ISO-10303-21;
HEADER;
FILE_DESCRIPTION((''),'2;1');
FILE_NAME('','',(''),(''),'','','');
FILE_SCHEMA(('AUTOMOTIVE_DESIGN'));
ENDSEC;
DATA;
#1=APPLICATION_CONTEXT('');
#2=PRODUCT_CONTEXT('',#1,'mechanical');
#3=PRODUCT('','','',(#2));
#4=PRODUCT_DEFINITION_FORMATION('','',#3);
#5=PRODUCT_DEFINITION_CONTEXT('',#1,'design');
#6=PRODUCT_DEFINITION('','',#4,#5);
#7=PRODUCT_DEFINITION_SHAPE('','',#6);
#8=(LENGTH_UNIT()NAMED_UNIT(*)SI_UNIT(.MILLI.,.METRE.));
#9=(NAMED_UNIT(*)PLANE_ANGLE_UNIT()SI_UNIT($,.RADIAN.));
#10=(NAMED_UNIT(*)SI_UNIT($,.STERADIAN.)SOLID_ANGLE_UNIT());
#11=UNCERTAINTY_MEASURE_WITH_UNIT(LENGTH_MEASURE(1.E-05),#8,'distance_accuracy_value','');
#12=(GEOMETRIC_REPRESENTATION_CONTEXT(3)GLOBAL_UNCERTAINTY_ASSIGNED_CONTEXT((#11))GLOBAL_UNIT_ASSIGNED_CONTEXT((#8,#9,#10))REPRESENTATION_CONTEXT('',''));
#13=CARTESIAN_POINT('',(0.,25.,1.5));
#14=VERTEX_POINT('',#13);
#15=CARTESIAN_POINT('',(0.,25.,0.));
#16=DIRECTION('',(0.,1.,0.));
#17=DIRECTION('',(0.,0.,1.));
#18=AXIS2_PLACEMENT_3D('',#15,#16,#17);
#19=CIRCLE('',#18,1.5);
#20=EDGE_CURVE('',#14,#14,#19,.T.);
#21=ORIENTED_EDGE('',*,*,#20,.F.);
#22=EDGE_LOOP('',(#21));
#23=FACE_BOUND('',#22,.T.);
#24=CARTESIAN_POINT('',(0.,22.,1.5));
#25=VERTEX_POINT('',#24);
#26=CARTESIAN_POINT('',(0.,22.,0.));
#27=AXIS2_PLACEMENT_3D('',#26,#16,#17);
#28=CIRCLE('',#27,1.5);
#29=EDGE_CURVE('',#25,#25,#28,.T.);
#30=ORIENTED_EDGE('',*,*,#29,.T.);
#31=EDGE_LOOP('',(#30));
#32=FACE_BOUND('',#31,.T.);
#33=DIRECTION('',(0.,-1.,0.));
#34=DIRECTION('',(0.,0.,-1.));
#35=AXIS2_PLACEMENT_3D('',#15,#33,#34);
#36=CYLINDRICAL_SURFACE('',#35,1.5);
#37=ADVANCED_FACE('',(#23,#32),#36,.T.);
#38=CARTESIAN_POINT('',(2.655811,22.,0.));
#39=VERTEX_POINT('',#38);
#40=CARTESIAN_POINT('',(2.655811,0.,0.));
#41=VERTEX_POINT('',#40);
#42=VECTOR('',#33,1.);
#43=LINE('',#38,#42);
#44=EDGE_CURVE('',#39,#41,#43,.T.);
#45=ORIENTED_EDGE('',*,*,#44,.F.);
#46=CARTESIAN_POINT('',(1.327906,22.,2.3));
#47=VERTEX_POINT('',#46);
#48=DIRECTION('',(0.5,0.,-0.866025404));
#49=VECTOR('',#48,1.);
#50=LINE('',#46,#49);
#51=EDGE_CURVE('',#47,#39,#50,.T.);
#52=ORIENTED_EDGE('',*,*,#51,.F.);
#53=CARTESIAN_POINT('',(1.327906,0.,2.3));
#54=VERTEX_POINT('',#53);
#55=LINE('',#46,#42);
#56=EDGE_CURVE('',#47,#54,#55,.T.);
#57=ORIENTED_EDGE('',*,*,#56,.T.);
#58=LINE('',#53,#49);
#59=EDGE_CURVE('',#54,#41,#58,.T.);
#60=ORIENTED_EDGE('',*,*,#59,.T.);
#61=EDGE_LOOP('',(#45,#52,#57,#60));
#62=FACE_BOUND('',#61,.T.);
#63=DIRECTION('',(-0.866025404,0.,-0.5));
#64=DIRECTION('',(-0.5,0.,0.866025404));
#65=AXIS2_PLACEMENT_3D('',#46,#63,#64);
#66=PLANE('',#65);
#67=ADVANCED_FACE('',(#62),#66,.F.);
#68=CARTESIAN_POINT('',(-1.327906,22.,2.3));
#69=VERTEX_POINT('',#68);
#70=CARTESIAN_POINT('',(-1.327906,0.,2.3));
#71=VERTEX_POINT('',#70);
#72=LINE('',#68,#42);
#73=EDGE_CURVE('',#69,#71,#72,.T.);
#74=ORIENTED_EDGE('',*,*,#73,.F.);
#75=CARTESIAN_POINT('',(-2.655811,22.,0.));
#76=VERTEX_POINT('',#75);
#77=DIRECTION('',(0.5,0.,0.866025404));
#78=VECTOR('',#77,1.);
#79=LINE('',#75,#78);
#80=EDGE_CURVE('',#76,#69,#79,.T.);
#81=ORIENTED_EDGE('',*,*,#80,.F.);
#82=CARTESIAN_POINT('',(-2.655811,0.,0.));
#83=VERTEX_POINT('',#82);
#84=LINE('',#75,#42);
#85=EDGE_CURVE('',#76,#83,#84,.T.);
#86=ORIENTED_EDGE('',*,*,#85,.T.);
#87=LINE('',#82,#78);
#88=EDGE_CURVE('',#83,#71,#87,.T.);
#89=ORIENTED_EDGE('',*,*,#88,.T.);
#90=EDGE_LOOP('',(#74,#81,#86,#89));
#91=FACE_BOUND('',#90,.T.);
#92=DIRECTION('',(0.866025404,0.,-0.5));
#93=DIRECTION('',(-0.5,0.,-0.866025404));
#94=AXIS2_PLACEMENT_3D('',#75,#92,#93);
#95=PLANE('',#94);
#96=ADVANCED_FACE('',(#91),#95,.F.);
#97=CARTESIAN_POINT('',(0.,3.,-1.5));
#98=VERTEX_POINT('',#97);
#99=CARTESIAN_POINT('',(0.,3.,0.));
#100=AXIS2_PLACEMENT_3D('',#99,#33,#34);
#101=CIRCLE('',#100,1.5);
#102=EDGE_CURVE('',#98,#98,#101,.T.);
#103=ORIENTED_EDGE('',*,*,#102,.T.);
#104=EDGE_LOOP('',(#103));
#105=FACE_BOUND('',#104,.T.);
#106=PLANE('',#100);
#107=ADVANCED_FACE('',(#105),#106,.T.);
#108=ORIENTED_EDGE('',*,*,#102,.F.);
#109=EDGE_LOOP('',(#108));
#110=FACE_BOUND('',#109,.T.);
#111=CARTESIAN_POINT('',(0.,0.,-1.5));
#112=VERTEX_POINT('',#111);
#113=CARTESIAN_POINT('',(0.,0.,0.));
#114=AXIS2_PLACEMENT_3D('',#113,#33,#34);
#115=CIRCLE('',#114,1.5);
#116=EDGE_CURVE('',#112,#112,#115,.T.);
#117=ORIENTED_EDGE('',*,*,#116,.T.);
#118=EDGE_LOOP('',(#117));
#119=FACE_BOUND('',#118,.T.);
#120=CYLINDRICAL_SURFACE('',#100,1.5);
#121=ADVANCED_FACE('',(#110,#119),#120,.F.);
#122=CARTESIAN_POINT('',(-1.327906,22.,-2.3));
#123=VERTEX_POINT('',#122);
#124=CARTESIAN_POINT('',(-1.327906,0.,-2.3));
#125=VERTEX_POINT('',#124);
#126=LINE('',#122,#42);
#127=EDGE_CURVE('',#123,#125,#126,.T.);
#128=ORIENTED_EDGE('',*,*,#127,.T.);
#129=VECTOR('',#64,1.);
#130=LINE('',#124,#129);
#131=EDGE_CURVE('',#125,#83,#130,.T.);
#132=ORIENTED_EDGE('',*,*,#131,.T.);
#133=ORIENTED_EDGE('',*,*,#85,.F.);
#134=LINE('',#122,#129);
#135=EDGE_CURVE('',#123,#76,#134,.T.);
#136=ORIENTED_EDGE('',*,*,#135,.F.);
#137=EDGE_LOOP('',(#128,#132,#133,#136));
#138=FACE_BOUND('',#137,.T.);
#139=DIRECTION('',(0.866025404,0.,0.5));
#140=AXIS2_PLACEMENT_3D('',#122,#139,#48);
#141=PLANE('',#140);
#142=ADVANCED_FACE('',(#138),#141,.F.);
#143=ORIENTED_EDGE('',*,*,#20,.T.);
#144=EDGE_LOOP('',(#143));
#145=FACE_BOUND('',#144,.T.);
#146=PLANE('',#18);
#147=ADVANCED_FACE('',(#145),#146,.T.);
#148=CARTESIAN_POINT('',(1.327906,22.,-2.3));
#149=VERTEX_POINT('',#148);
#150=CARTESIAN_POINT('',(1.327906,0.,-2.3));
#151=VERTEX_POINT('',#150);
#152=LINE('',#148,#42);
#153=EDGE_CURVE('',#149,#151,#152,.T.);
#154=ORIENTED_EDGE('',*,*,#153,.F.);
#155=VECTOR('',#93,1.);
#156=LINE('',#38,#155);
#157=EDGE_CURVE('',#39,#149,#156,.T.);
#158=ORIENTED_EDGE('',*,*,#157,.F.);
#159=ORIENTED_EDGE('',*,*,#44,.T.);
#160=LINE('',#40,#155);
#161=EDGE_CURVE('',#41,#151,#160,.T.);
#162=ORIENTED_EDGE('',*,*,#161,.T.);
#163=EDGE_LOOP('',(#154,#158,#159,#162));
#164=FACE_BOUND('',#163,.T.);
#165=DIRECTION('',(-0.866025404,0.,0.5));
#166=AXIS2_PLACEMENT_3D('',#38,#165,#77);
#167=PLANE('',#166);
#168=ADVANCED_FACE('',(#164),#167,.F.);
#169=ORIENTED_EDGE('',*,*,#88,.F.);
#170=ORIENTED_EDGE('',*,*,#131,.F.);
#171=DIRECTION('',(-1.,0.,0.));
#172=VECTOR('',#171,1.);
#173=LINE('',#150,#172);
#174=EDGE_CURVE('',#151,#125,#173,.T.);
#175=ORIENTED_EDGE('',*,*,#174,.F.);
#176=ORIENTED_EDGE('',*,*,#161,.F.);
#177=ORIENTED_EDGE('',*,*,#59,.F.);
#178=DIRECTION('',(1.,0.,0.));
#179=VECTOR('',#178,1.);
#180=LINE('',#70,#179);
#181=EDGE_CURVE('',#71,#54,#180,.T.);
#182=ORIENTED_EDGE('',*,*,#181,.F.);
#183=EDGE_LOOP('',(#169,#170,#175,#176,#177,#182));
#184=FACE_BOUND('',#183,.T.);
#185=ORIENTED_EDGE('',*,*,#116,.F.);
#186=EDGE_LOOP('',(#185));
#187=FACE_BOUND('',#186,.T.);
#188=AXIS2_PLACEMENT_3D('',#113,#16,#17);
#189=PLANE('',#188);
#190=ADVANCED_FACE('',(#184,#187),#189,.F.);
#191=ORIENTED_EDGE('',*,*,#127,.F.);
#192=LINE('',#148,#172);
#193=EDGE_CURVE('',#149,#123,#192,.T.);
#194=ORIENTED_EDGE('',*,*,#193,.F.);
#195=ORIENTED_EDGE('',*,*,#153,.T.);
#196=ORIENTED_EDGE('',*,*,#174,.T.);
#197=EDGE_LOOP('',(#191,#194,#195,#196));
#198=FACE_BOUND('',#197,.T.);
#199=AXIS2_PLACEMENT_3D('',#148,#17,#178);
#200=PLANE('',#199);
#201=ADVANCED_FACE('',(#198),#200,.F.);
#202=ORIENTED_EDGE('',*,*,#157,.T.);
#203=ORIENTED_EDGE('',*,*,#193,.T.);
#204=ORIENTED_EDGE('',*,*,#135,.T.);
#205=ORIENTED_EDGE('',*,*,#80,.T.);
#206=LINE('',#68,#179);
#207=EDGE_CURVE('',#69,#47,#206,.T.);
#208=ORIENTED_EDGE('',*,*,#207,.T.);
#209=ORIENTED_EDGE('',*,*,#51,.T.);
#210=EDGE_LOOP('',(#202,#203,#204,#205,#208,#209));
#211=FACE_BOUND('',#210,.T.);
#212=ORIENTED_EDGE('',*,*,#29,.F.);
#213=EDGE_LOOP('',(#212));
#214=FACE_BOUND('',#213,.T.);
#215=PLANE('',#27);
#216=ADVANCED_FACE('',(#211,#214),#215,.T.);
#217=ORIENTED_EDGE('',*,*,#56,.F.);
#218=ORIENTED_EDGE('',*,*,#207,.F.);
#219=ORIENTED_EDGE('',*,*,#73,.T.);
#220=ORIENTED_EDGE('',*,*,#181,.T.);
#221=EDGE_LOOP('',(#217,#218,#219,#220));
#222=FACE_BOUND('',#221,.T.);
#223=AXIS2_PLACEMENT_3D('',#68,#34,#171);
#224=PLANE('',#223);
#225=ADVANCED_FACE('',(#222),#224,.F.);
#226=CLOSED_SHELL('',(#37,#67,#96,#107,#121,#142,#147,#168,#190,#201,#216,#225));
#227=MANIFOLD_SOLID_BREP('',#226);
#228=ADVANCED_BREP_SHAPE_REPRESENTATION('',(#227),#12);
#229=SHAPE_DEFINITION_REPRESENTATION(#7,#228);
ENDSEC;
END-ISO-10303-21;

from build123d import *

# Parameters (mm, degrees)
EXTRUDE_1_DEPTH     = 22
SKETCH_2_R          = 1.5
EXTRUDE_2_DEPTH     = 3
SKETCH_3_R          = 1.5
CUT_EXTRUDE_1_DEPTH = 3


with BuildPart() as part:
    # 草图1 → 凸台-拉伸1 (new body)
    with BuildSketch(Plane(origin=(0, 0, 0), x_dir=(1, 0, 0), z_dir=(0, 1, 0))):
        Polygon((2.655811238, 0), (1.327905619, 2.3), (-1.327905619, 2.3), (-2.655811238, 0), (-1.327905619, -2.3), (1.327905619, -2.3), align=None)
    extrude(amount=EXTRUDE_1_DEPTH)

    # 草图2 → 凸台-拉伸2 (add)
    with BuildSketch(Plane(origin=(0, 22, 0), x_dir=(1, 0, 0), z_dir=(0, 1, 0))):
        with Locations(Location((0, 0, 0), (0, 0, 270))):
            Circle(SKETCH_2_R)
    extrude(amount=EXTRUDE_2_DEPTH)

    # 草图3 → 切除-拉伸1 (cut)
    with BuildSketch(Plane(origin=(0, 0, 0), x_dir=(-1, 0, 0), z_dir=(0, -1, 0))):
        with Locations(Location((0, 0, 0), (0, 0, 270))):
            Circle(SKETCH_3_R)
    extrude(amount=-CUT_EXTRUDE_1_DEPTH, mode=Mode.SUBTRACT)


solid = part.part
